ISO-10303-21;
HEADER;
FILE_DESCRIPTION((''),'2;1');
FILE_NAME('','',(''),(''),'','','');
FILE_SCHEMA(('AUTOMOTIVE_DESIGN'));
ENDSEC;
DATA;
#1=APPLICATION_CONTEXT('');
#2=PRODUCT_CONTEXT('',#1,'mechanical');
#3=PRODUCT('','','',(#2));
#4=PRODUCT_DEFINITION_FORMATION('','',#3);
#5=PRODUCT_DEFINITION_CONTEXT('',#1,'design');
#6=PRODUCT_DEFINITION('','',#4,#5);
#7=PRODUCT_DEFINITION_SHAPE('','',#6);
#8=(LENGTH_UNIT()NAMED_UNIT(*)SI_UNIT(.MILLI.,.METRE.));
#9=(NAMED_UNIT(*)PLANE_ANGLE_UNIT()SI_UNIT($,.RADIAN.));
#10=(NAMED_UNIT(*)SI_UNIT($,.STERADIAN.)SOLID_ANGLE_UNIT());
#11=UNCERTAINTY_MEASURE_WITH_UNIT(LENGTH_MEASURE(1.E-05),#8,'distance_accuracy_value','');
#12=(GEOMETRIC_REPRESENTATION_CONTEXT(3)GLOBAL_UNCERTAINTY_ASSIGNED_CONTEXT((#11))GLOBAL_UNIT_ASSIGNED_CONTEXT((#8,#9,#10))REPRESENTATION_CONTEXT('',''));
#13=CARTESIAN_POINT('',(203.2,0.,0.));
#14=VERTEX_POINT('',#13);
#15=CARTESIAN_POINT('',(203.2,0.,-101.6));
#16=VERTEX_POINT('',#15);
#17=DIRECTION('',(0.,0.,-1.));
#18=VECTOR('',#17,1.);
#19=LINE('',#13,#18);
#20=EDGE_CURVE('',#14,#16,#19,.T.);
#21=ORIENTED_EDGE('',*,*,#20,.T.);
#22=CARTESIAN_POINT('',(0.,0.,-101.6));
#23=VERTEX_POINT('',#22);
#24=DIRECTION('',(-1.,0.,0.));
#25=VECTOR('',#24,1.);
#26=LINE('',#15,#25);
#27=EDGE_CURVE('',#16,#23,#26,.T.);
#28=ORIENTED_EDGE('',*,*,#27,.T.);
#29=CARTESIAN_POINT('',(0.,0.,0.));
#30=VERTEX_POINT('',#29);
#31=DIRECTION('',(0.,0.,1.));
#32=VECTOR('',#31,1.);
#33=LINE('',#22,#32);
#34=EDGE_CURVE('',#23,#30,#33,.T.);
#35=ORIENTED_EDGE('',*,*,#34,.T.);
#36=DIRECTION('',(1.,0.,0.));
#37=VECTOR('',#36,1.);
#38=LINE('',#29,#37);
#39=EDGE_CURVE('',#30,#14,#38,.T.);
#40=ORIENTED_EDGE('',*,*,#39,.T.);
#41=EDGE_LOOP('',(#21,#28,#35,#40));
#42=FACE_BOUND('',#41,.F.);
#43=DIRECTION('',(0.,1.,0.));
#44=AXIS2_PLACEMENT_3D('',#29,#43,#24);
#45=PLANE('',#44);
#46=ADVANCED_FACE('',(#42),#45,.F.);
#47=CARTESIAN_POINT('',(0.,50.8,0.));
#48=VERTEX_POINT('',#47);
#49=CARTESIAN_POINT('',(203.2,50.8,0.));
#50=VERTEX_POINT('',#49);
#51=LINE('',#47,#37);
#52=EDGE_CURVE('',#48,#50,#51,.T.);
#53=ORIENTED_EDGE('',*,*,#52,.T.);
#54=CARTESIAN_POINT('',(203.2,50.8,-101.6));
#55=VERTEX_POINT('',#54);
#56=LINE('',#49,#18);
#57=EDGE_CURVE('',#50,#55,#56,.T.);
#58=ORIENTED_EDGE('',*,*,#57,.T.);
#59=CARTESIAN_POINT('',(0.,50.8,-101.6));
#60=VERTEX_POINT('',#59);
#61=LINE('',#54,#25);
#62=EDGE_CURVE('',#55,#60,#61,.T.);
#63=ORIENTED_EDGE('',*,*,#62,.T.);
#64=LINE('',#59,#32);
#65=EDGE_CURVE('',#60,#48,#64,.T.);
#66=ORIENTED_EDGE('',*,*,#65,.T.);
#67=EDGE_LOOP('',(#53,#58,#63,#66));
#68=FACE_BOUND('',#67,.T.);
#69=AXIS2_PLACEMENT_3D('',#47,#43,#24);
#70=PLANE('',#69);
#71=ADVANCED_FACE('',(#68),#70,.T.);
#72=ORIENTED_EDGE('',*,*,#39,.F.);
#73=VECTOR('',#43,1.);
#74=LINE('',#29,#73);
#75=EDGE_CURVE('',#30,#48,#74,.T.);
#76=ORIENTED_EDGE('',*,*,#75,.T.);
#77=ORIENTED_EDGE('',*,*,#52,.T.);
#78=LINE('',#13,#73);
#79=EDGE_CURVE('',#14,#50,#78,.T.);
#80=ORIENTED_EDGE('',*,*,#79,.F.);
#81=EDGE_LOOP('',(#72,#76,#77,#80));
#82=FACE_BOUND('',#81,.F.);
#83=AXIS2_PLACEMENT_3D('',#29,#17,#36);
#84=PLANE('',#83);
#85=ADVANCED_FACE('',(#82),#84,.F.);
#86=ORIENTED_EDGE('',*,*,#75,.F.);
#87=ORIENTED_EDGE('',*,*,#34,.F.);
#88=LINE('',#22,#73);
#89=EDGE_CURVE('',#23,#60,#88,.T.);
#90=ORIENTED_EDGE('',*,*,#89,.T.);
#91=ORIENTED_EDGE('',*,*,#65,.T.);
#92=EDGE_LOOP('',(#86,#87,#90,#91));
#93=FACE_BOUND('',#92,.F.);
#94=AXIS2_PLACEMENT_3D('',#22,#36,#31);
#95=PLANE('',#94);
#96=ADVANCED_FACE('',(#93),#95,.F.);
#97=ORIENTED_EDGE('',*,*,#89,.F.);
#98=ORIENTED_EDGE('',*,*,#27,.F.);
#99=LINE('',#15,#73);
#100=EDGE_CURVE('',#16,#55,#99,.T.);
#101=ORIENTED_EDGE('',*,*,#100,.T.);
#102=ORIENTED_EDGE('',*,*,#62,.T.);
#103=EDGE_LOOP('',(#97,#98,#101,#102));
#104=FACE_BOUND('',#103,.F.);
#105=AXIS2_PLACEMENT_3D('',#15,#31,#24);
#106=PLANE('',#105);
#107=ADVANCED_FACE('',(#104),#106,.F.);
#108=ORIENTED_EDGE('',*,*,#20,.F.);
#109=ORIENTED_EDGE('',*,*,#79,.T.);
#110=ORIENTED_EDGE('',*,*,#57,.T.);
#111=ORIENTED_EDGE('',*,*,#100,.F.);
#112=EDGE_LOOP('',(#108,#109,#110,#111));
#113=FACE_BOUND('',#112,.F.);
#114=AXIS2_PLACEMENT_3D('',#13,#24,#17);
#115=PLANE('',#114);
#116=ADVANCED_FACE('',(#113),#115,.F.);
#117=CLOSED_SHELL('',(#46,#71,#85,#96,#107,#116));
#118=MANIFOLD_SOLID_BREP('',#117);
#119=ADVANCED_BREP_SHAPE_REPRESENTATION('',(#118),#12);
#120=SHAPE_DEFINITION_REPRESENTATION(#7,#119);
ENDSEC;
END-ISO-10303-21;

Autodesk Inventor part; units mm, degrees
ref_plane "YZ Plane" through (0, 0, 0) normal (1, 0, 0) x (0, 1, 0)
ref_plane "XZ Plane" through (0, 0, 0) normal (0, 1, 0) x (-1, 0, 0)
ref_plane "XY Plane" through (0, 0, 0) normal (0, 0, 1) x (1, 0, 0)
sketch "Sketch1" plane through (0, 0, 0) normal (0, 1, 0) x (-1, 0, 0)
  line L0 (0, 0) -> (-203.2, 0)
  line L1 (-203.2, 0) -> (-203.2, -101.6)
  line L2 (-203.2, -101.6) -> (0, -101.6)
  line L3 (0, -101.6) -> (0, 0)
  dimension "d0" = 203.2
  dimension "d1" = 101.6
extrude "Extrusion1" add sketch "Sketch1" along normal blind 50.8
properties part number "4x8x2 - 39" material "Granite, Cut, Polished"
